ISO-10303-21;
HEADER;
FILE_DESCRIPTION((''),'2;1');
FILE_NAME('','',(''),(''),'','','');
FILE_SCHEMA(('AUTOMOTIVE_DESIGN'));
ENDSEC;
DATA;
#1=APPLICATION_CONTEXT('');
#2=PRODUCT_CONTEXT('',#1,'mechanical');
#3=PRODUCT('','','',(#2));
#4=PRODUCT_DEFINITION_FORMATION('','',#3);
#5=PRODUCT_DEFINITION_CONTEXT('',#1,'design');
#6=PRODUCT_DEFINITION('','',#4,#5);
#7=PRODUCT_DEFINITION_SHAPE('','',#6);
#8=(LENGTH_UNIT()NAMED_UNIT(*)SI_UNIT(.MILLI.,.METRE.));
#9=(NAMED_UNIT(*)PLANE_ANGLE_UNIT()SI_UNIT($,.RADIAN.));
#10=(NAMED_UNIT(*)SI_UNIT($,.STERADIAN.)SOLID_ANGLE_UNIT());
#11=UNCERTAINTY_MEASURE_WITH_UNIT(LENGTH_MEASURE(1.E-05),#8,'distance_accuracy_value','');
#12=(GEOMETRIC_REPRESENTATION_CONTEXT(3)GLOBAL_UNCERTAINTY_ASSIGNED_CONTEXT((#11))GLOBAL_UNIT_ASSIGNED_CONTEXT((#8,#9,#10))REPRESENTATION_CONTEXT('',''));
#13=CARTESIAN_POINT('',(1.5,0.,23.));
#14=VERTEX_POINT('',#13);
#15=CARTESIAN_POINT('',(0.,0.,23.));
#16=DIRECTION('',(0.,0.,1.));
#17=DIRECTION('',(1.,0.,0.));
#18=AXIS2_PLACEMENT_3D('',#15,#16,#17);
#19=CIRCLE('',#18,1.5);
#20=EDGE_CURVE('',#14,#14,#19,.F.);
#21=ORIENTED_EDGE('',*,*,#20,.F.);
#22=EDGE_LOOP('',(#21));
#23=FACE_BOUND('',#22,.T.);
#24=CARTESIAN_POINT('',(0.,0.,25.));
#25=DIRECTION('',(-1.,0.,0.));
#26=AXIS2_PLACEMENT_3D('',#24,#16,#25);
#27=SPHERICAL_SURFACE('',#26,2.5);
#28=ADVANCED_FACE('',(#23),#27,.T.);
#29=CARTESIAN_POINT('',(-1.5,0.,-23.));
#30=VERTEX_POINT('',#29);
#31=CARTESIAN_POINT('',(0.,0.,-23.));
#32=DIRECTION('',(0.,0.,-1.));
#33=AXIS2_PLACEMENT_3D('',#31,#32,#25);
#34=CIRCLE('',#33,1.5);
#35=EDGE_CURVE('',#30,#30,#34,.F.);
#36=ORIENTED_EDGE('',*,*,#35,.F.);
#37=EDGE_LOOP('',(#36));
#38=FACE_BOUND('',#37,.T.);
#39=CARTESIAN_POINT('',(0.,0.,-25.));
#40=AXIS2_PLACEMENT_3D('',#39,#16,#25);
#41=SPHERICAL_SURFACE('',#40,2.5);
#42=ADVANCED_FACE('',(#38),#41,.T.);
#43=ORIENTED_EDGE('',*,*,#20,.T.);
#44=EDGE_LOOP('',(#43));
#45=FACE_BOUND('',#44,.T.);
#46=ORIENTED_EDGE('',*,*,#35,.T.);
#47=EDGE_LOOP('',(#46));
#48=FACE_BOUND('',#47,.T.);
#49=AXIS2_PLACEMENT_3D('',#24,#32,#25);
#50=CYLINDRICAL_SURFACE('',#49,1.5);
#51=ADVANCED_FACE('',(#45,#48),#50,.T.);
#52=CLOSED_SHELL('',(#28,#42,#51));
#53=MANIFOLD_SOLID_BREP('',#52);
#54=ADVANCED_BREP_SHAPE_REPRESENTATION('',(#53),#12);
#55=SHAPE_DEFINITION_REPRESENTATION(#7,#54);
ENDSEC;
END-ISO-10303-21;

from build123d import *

# Parameters (mm, degrees)
SZKIC1_R                    = 1.5
DODANIE_WYCI_GNI_CIE1_DEPTH = 25


with BuildPart() as part:
    # Szkic1 → Dodanie-wyciągnięcie1 (new, symmetric)
    with BuildSketch(Plane.XY):
        Circle(SZKIC1_R)
    extrude(amount=DODANIE_WYCI_GNI_CIE1_DEPTH, both=True)

    # Szkic2 → Obrót1 (revolve)
    with BuildSketch(Plane(origin=(0, 0, 0), x_dir=(1, 0, 0), z_dir=(0, 1, 0))):
        with BuildLine():
            ThreePointArc((0, -27.5), (2.5, -25), (0, -22.5))
            Line((0, -22.5), (0, -25))
            Line((0, -25), (0, -27.5))
        make_face()
        with BuildLine():
            Line((0, 25), (0, 22.5))
            ThreePointArc((0, 22.5), (2.5, 25), (0, 27.5))
            Line((0, 27.5), (0, 25))
        make_face()
    revolve(axis=Axis((0, 0, 0), (0, 0, -1)))


solid = part.part
